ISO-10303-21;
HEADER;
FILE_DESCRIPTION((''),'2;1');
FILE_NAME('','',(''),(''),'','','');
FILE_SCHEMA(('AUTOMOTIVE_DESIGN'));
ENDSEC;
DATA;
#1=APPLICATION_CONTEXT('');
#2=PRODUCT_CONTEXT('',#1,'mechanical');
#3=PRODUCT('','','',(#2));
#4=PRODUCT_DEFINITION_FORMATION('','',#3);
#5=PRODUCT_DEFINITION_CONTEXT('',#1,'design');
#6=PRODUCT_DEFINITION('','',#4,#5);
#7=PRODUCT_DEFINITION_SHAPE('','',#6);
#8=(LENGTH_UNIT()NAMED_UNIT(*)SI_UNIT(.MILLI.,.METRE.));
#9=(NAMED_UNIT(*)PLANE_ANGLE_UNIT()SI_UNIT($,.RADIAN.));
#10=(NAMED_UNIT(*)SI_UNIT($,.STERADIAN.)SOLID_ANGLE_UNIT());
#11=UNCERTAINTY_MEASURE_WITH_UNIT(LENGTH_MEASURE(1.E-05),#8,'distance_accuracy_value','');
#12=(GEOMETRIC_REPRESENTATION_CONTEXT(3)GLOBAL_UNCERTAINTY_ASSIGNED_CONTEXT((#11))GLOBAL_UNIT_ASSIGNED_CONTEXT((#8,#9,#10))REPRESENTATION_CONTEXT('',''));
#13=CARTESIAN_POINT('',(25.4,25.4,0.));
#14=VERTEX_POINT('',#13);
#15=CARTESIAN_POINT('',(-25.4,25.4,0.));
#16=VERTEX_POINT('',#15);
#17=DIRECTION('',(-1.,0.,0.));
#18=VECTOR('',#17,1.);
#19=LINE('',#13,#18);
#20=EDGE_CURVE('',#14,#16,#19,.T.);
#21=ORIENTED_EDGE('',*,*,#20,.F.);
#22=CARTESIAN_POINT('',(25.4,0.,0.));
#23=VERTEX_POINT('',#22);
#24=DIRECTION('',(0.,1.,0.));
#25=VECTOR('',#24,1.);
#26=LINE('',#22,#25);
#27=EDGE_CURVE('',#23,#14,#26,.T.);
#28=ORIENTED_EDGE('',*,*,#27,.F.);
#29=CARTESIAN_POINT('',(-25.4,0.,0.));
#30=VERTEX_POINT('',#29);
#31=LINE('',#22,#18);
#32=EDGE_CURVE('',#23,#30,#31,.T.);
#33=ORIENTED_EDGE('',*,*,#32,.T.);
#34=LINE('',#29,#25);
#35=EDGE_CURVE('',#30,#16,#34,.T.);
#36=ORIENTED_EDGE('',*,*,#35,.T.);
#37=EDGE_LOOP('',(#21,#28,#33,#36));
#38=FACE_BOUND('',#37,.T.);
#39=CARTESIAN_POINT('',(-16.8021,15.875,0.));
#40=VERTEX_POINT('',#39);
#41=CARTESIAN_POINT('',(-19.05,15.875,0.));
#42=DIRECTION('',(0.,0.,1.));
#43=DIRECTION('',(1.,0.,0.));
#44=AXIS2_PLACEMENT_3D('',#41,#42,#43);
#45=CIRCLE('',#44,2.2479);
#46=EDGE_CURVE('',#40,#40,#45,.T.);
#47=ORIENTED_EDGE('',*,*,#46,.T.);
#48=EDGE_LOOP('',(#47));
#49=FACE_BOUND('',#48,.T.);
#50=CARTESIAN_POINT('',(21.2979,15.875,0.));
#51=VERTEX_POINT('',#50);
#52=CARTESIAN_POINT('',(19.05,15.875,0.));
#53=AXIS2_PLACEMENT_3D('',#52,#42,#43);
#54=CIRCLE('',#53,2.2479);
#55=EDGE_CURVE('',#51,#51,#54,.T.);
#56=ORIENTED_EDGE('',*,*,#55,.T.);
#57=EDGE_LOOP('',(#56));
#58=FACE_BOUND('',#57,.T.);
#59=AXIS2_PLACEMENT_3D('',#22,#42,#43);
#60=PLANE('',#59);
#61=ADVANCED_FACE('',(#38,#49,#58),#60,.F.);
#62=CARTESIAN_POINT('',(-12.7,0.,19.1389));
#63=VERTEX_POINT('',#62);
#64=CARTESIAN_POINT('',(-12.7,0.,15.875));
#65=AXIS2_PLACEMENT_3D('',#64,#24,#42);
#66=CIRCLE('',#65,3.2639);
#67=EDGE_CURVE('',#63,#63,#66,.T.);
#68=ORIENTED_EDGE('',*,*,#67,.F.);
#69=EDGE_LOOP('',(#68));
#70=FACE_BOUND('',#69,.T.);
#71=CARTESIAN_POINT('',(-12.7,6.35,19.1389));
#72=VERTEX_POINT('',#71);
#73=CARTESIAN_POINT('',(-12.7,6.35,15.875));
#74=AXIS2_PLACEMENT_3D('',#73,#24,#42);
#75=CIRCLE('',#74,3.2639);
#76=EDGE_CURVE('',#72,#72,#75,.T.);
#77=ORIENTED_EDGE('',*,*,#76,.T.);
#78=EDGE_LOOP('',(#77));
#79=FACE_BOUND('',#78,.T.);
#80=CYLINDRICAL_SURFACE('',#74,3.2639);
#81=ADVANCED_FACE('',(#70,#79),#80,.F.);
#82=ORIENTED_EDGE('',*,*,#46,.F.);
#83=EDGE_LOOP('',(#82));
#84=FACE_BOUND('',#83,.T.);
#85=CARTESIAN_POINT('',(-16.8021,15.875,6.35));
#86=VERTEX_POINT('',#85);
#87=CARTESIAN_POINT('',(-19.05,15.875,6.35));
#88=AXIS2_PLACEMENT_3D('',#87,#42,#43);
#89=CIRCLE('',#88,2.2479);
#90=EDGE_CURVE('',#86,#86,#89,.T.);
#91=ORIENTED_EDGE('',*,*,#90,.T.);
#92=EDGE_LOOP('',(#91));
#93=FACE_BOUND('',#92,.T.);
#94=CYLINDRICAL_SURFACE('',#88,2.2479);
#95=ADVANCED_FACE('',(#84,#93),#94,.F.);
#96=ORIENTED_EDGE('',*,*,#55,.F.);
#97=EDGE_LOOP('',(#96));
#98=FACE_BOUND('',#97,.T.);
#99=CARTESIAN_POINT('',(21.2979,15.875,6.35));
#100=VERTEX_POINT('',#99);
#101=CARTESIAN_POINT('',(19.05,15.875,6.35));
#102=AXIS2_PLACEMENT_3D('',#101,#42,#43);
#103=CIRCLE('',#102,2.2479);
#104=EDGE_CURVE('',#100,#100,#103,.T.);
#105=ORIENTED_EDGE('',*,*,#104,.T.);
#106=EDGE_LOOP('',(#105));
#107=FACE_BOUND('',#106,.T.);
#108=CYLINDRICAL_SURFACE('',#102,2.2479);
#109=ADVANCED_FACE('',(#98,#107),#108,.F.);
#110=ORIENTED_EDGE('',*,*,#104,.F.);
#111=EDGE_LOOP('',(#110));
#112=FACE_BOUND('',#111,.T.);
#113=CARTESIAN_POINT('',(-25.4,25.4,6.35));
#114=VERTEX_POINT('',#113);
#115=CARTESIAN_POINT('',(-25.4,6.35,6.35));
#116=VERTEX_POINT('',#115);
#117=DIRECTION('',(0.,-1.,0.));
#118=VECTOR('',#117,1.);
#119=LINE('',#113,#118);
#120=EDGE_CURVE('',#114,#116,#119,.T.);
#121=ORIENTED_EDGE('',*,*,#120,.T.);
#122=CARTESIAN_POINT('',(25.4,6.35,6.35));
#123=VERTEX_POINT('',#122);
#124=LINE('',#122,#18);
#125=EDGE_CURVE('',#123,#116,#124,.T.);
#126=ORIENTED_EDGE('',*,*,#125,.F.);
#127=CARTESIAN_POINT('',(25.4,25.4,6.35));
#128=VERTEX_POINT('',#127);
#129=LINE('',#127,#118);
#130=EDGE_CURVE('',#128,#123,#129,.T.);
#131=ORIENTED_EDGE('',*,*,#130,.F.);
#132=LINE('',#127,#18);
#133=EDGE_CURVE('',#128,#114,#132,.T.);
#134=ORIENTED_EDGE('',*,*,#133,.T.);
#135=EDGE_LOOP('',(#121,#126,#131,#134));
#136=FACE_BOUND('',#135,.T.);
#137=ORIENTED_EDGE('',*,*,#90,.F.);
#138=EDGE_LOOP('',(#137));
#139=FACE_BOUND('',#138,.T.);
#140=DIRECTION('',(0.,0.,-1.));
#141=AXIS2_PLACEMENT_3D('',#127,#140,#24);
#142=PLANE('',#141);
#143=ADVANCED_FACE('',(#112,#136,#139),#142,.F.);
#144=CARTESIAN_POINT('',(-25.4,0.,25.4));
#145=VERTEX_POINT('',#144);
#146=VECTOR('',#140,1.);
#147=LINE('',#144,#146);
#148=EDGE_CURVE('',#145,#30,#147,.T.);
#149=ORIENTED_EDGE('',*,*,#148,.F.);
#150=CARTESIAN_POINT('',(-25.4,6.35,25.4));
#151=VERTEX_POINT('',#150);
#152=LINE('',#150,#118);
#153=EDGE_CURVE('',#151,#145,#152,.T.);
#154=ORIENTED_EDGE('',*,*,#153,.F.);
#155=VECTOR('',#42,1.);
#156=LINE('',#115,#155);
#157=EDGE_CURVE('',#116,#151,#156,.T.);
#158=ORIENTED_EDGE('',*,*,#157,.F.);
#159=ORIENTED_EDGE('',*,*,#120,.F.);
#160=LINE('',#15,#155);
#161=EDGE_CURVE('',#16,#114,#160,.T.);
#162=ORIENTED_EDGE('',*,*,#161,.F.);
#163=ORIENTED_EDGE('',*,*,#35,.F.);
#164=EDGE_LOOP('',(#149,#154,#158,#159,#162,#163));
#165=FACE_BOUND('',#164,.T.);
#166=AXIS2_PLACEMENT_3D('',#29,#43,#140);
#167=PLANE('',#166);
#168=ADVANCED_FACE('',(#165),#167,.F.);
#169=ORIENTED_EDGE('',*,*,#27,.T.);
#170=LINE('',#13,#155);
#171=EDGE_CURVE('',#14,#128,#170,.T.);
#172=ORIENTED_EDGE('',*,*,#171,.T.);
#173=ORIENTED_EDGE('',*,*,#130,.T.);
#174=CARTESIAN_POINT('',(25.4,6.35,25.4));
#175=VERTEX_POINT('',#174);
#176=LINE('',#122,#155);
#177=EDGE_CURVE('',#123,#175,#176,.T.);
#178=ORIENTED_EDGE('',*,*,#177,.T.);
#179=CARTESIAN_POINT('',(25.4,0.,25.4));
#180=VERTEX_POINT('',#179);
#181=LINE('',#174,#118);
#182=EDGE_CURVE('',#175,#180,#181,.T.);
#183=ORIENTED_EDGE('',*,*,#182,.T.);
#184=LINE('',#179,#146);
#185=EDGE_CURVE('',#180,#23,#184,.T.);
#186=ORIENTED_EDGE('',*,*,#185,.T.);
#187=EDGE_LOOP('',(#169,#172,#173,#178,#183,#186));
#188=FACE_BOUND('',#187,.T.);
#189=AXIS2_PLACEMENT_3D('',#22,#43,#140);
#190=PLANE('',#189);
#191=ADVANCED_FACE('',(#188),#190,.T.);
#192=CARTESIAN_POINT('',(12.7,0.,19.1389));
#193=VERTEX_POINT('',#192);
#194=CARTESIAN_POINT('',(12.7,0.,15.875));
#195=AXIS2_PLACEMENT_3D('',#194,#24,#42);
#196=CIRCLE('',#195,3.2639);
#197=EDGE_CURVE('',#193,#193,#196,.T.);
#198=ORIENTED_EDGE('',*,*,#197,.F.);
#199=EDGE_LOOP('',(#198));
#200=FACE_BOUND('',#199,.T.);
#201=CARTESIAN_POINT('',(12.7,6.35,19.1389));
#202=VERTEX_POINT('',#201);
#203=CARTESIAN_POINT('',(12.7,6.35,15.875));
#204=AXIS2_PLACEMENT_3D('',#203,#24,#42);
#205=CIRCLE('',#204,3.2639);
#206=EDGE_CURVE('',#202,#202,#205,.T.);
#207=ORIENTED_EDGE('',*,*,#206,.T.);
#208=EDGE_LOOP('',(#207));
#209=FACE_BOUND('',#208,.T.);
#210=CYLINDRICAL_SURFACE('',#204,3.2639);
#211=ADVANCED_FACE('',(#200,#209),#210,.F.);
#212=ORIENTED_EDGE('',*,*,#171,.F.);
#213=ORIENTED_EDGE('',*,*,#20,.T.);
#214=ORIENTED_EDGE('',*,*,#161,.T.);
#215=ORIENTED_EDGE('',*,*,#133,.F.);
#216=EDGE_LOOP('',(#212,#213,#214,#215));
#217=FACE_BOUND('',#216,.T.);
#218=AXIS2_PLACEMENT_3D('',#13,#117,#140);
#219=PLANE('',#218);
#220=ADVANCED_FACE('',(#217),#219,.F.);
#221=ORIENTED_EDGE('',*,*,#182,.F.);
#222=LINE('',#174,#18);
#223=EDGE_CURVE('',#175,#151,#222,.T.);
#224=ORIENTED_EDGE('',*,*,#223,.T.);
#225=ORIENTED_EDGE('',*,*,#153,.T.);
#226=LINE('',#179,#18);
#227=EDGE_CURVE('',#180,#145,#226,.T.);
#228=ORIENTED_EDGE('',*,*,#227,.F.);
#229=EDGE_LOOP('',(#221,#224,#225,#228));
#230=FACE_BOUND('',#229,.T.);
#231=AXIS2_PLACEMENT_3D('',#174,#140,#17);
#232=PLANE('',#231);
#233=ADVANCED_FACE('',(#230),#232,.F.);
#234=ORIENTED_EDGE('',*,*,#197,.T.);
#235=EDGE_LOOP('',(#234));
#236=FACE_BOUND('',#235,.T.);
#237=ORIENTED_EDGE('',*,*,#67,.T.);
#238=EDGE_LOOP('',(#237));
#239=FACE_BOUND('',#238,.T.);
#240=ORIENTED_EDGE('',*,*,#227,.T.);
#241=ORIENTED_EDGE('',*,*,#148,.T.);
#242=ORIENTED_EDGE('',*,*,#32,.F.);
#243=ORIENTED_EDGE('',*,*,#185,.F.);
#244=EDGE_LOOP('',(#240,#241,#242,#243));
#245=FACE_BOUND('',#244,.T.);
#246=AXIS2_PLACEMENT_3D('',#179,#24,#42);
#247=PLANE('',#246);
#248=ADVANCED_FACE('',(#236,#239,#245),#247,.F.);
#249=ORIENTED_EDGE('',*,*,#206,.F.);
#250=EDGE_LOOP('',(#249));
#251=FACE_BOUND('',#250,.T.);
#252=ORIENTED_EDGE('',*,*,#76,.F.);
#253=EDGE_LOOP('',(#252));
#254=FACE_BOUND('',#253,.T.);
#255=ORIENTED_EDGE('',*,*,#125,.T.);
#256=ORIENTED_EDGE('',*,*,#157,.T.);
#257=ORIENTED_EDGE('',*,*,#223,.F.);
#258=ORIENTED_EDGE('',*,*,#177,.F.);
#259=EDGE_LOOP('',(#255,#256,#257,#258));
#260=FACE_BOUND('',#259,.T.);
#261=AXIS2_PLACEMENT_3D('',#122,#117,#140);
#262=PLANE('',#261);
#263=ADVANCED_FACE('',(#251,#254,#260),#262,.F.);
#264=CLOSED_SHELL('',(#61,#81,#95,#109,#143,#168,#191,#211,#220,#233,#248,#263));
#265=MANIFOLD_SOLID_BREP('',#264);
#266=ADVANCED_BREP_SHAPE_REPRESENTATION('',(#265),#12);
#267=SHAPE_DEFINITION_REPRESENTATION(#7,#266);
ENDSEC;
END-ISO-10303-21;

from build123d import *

# Parameters (mm, degrees)
BOSS_EXTRUDE1_DEPTH       = 25.4
F_1_4_CLEARANCE_HOLE1_D   = 6.5278
F_8_CLEARANCE_HOLE1_D     = 4.4958
F_8_CLEARANCE_HOLE1_DEPTH = 6.35
F_8_CLEARANCE_HOLE1_TIP   = 1.350674586


with BuildPart() as part:
    # Sketch1 → Boss-Extrude1 (new, symmetric)
    with BuildSketch(Plane(origin=(0, 0, 0), x_dir=(0, 0, -1), z_dir=(1, 0, 0))):
        Polygon((0, 0), (0, 25.4), (-6.35, 25.4), (-6.35, 6.35), (-25.4, 6.35), (-25.4, 0), align=None)
    extrude(amount=BOSS_EXTRUDE1_DEPTH, both=True)

    # 1/4 Clearance Hole1 (through all)
    with Locations(Plane(origin=(0, 6.35, 0), x_dir=(1, 0, 0), z_dir=(0, 1, 0))):
        with Locations((-12.7, -15.875), (12.7, -15.875)):
            Hole(F_1_4_CLEARANCE_HOLE1_D / 2)

    # #8 Clearance Hole1
    with Locations(Plane.XY.offset(6.35)):
        with Locations((-19.05, 15.875), (19.05, 15.875)):
            Hole(F_8_CLEARANCE_HOLE1_D / 2, depth=F_8_CLEARANCE_HOLE1_DEPTH)
            with Locations((0, 0, -(F_8_CLEARANCE_HOLE1_DEPTH + F_8_CLEARANCE_HOLE1_TIP / 2))):  # 118° drill point
                Cone(0, F_8_CLEARANCE_HOLE1_D / 2, F_8_CLEARANCE_HOLE1_TIP, mode=Mode.SUBTRACT)


solid = part.part
